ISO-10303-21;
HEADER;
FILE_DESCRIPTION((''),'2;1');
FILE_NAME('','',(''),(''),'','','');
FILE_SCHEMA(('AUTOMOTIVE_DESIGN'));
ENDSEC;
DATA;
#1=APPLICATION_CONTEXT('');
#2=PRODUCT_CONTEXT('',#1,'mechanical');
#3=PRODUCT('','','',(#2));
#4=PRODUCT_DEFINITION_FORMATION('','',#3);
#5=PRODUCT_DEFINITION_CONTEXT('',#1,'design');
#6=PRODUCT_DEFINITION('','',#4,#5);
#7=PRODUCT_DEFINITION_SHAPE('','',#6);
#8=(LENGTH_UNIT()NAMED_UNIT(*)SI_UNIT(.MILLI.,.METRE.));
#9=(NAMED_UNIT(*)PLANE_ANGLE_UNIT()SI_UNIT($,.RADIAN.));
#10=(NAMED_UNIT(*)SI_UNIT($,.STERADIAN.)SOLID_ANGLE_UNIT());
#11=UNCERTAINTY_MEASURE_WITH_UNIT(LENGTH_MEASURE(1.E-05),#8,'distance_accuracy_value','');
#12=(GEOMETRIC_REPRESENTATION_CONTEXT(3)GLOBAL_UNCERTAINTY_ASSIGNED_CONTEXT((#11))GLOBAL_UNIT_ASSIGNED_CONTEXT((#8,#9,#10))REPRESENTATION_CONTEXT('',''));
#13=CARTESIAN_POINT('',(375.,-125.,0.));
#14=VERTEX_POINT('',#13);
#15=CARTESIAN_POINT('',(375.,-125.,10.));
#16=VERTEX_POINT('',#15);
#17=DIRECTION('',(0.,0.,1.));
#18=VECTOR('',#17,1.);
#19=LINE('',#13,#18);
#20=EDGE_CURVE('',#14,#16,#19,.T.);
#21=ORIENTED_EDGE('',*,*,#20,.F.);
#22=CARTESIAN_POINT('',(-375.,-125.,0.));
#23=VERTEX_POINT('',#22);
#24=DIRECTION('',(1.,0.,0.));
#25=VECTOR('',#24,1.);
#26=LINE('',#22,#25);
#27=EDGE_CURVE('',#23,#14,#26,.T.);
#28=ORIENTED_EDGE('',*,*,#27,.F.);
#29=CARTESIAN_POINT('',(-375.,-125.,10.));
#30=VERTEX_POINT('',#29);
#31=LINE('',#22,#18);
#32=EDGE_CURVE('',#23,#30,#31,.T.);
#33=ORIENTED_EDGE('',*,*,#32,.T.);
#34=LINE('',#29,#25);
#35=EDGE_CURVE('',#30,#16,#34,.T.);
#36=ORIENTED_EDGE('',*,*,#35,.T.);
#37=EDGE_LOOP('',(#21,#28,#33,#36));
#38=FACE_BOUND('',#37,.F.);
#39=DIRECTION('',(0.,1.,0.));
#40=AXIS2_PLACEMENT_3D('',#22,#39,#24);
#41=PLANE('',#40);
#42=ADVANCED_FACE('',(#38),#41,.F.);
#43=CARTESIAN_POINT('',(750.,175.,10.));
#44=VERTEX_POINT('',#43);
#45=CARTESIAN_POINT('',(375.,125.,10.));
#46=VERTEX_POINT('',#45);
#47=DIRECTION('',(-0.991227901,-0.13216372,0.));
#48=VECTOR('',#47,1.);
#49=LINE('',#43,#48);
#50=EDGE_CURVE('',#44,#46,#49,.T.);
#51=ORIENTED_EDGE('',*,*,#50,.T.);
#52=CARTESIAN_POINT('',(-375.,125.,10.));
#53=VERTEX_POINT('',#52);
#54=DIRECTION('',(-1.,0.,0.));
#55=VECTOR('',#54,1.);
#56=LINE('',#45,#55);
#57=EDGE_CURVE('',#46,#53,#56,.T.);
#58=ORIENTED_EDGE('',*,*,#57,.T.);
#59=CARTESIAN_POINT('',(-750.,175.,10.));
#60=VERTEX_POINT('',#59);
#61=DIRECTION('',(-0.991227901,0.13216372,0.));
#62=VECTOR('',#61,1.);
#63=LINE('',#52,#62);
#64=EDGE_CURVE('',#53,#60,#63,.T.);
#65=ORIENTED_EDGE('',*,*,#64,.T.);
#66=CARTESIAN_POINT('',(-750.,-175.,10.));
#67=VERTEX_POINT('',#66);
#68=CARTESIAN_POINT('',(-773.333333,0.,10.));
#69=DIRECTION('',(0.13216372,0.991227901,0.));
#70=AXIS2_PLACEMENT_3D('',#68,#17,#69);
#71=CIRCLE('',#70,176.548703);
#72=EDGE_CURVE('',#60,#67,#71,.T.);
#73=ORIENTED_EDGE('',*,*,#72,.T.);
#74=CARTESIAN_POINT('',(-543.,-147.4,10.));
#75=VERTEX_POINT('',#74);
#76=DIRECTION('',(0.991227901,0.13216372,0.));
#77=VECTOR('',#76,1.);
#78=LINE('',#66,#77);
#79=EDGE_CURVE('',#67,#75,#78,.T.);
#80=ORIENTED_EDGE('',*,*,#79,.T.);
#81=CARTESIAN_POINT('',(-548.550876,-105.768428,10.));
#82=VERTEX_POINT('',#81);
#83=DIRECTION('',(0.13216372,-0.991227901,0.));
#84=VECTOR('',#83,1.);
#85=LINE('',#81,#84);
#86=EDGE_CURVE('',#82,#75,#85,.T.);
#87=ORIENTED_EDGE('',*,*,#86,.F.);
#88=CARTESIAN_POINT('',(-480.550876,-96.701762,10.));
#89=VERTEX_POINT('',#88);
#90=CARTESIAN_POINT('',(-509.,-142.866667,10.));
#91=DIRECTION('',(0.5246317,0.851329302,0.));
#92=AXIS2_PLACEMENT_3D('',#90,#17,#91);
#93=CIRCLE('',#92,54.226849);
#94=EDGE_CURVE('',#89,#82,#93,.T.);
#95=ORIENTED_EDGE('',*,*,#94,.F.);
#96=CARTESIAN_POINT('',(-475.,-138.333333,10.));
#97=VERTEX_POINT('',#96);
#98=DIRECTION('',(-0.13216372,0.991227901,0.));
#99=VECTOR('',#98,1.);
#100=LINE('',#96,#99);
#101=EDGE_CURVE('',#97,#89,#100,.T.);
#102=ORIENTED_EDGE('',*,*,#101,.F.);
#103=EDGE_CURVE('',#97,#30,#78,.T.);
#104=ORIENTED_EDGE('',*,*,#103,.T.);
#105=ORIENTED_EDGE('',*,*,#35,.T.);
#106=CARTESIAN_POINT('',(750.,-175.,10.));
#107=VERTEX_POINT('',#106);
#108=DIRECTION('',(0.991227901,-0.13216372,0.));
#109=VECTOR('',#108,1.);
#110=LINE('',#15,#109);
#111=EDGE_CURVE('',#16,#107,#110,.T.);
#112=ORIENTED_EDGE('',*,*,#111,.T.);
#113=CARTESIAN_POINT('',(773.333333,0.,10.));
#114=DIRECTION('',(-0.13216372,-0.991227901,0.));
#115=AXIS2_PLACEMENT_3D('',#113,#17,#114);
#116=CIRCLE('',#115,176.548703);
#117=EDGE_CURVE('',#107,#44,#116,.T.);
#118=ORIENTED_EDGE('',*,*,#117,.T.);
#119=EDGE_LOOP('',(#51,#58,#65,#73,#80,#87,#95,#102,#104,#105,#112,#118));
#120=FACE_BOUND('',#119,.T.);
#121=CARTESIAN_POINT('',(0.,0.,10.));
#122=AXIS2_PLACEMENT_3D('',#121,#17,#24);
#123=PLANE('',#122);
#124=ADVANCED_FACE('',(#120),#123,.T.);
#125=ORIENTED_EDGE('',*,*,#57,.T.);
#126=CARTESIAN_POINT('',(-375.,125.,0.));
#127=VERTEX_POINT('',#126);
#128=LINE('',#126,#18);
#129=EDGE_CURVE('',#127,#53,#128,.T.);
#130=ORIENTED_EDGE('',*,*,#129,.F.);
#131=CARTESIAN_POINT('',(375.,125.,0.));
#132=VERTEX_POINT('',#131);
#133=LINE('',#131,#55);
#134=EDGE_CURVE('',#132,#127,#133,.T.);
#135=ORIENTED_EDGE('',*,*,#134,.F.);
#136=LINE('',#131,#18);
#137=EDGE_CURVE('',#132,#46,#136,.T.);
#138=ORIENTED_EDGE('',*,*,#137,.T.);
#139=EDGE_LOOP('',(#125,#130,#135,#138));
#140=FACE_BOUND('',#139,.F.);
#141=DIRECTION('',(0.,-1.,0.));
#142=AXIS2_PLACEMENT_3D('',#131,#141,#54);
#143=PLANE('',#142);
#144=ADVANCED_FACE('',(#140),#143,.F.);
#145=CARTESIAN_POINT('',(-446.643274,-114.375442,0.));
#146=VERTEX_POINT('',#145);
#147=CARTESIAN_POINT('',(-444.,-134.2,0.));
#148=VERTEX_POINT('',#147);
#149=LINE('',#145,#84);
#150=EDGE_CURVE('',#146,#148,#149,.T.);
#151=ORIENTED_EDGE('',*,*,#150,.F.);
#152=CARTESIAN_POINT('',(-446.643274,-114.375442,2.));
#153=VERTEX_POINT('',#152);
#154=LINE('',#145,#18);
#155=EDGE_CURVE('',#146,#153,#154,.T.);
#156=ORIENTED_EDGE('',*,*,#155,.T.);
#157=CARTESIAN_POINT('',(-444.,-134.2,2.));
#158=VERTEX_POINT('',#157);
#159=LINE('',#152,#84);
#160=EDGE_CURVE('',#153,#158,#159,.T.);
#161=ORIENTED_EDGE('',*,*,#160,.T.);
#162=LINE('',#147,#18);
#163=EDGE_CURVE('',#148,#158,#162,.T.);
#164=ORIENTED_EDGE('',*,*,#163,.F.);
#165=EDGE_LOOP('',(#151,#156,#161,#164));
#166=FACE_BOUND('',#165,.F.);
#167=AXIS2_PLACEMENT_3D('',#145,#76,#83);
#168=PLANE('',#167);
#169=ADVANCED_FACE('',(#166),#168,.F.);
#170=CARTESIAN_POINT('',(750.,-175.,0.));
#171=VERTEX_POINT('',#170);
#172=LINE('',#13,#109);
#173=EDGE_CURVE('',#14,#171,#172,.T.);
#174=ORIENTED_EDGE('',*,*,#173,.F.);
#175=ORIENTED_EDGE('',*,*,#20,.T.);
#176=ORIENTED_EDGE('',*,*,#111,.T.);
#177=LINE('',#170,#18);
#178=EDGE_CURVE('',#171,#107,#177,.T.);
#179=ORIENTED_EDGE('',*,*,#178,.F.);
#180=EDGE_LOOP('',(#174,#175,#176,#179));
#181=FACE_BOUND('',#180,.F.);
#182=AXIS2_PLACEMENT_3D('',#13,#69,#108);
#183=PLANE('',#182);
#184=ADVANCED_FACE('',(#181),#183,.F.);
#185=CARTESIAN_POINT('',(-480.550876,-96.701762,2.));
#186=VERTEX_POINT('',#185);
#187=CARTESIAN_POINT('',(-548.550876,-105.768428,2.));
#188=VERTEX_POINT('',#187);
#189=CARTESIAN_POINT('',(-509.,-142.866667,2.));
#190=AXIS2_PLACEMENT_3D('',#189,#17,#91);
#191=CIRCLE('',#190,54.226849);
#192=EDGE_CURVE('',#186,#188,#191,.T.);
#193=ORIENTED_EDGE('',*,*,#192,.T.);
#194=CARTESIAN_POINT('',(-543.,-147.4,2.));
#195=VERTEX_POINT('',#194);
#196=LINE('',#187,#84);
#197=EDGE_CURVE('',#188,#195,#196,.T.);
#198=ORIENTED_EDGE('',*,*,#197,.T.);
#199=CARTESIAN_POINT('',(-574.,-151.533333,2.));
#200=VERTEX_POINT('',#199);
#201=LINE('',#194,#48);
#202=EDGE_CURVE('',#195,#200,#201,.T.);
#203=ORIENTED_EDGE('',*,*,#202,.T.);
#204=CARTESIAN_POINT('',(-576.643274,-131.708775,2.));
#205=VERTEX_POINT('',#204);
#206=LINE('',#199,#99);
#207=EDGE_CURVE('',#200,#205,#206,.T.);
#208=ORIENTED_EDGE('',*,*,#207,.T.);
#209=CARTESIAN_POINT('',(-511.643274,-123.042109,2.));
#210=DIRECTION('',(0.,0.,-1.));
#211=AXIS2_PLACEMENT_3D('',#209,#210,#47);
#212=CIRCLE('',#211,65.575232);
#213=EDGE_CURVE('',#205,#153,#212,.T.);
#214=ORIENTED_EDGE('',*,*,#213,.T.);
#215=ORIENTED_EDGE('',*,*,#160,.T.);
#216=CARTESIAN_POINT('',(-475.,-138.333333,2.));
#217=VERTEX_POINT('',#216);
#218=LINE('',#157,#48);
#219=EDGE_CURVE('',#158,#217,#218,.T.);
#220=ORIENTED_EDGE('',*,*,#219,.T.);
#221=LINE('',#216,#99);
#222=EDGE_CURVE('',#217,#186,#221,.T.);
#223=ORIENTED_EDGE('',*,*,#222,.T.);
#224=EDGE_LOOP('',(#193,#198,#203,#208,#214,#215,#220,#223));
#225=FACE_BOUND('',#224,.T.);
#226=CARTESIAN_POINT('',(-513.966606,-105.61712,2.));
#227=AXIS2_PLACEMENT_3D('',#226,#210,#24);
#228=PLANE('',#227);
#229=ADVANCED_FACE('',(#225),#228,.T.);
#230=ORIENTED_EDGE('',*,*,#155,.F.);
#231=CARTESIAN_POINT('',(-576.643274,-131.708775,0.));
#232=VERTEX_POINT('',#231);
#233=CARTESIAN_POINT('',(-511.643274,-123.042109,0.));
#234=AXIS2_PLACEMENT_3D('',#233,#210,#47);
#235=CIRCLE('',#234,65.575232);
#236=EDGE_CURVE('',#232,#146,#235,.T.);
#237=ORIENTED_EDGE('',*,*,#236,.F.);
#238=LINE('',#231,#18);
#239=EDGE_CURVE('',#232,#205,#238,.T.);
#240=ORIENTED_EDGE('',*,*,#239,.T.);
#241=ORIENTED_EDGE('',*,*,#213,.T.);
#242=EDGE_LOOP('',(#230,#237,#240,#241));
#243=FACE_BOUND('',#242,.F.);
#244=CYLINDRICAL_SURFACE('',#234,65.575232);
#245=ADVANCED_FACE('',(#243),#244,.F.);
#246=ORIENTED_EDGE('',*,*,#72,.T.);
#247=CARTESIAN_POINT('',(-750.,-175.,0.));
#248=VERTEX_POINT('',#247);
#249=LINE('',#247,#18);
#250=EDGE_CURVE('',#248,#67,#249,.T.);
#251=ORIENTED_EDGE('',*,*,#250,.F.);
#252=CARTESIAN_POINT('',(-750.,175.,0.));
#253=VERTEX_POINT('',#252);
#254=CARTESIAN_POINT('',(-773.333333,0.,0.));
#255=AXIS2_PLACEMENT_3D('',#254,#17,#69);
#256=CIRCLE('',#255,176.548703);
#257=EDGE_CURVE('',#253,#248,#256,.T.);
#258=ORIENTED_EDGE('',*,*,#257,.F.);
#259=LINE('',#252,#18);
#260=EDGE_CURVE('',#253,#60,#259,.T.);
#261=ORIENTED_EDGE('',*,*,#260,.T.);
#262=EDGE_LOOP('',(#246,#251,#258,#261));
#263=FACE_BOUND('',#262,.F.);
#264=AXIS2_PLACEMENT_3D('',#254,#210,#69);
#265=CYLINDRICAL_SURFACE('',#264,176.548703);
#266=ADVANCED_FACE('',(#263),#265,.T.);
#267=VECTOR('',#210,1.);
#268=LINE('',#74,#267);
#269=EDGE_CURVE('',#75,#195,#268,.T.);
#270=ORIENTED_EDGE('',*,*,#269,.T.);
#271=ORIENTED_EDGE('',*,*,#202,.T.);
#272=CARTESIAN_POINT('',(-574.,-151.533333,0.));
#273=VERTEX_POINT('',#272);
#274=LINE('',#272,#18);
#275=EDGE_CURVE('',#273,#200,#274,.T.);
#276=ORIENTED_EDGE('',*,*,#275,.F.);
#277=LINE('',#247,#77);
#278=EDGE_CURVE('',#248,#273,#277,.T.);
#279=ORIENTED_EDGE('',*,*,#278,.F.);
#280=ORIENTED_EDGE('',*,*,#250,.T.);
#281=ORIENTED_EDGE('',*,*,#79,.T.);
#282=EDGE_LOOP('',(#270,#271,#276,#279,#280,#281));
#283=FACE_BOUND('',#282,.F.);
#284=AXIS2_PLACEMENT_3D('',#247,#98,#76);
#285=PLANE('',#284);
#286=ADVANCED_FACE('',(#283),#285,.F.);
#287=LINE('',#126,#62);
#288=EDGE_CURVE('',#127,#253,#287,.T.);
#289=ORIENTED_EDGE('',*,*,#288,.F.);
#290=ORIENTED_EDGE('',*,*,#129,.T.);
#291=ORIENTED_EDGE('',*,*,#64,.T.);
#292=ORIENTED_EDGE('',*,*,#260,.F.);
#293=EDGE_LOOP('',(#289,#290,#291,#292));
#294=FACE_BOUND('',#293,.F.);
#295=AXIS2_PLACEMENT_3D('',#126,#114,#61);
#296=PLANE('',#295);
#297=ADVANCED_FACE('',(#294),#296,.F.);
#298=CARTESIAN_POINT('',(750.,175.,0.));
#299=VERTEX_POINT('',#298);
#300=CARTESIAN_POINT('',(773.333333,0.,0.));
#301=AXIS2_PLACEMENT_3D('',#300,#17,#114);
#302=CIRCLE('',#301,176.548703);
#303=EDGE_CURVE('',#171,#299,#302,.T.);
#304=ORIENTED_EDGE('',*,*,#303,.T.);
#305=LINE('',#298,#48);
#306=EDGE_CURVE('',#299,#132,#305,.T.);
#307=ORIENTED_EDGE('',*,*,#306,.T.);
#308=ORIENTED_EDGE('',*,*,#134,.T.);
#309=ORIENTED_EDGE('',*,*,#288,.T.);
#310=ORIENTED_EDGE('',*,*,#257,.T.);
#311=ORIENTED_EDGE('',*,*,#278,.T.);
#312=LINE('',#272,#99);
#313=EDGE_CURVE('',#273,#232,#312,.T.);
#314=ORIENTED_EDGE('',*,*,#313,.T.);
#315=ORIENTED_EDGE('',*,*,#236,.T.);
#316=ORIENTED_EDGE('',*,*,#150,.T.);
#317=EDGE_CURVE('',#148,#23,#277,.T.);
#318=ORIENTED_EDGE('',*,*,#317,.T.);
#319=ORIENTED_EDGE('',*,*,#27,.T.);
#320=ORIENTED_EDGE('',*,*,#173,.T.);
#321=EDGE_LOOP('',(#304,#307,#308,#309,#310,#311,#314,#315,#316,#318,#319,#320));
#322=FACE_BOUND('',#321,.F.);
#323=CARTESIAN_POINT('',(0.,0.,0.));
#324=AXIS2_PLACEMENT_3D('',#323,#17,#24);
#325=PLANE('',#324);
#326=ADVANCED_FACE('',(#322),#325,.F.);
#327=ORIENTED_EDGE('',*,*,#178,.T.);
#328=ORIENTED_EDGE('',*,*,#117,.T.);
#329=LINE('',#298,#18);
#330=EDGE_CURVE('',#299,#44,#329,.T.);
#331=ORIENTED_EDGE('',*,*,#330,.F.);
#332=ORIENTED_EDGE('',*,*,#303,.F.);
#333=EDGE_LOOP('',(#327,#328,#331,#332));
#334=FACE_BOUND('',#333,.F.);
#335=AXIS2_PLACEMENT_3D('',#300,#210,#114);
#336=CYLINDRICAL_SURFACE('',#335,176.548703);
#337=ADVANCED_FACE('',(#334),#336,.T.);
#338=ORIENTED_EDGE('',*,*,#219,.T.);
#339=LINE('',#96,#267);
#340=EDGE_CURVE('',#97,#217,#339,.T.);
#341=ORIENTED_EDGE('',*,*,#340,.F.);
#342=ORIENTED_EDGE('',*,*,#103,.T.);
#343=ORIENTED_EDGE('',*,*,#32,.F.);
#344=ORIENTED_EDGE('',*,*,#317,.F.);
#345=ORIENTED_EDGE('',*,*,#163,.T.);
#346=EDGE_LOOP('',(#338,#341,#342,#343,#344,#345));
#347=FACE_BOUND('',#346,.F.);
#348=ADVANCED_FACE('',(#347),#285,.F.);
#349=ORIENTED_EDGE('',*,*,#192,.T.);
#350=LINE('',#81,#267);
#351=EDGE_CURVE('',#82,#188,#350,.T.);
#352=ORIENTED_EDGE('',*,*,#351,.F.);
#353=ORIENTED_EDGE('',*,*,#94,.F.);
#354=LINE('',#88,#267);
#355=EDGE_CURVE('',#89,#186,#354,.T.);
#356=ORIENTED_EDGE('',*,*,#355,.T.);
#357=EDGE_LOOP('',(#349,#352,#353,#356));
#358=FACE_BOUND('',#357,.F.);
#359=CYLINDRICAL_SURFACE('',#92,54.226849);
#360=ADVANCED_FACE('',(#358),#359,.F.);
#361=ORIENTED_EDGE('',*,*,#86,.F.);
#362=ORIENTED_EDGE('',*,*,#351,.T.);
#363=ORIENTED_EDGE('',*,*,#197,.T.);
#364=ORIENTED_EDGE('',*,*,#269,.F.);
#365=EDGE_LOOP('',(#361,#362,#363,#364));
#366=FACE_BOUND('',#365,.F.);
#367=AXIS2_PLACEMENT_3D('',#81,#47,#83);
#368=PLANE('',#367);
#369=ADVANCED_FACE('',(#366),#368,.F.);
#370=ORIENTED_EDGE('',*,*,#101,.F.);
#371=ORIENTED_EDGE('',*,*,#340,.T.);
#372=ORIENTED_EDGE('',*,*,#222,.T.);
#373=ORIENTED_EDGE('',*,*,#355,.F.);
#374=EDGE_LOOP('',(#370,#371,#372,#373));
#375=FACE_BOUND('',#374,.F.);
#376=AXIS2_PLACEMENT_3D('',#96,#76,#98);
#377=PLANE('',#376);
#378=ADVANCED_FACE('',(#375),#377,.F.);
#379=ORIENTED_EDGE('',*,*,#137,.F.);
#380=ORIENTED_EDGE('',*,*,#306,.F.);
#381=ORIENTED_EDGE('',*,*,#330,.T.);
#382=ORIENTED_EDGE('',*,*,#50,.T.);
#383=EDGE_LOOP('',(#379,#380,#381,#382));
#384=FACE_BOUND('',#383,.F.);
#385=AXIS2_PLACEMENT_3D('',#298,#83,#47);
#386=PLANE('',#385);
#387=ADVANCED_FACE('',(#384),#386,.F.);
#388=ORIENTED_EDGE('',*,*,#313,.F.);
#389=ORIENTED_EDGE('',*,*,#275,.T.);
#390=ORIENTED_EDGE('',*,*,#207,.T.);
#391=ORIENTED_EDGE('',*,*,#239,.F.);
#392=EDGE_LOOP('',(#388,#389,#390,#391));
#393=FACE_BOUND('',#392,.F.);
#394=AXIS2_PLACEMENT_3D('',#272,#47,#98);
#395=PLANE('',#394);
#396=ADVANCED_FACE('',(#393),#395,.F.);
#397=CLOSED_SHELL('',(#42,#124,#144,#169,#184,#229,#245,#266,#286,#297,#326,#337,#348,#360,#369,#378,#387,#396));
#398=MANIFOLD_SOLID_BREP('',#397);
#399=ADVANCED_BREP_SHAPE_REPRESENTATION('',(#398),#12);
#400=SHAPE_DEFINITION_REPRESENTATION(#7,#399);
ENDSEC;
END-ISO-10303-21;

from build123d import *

# Parameters (mm, degrees)
F2_DEPTH = 10
F4_DEPTH = 10.001
F6_DEPTH = 2


with BuildPart() as f2:
    # F1 (on Top) → F2 (new body)
    with BuildSketch(Plane.XY):
        with BuildLine():
            Line((375, 125), (0, 125))
            Line((0, 125), (-375, 125))
            Line((-375, 125), (-750, 175))
            ThreePointArc((-750, 175), (-949.8820360883, 0), (-750, -175))
            Line((-750, -175), (-375, -125))
            Line((-375, -125), (0, -125))
            Line((0, -125), (375, -125))
            Line((375, -125), (750, -175))
            ThreePointArc((750, -175), (949.8820360883, 0), (750, 175))
            Line((750, 175), (375, 125))
        make_face()
    extrude(amount=F2_DEPTH)

    # F3 (on face) → F4 (cut, through all)
    with BuildSketch(Plane.XY.offset(10)):
        with BuildLine():
            Line((-543, -147.4), (-475, -138.3333333333))
            Line((-475, -138.3333333333), (-480.5508762438, -96.7017615047))
            ThreePointArc((-480.5508762438, -96.7017615047), (-516.1668220423, -89.1155013498), (-548.5508762438, -105.7684281713))
            Line((-548.5508762438, -105.7684281713), (-543, -147.4))
        make_face()
    extrude(amount=-F4_DEPTH, mode=Mode.SUBTRACT)

    # F5 (on face) → F6 (cut)
    with BuildSketch(Plane(origin=(0, 0, 0), x_dir=(1, 0, 0), z_dir=(0, 0, -1))):
        with BuildLine():
            Line((-543, 147.4), (-574, 151.5333333333))
            Line((-574, 151.5333333333), (-576.6432744018, 131.7087753197))
            ThreePointArc((-576.6432744018, 131.7087753197), (-520.3099410685, 58.042108653), (-446.6432744018, 114.3754419863))
            Line((-446.6432744018, 114.3754419863), (-444, 134.2))
            Line((-444, 134.2), (-475, 138.3333333333))
            Line((-475, 138.3333333333), (-480.5508762438, 96.7017615047))
            ThreePointArc((-480.5508762438, 96.7017615047), (-516.1668220423, 89.1155013498), (-548.5508762438, 105.7684281713))
            Line((-548.5508762438, 105.7684281713), (-543, 147.4))
        make_face()
    extrude(amount=-F6_DEPTH, mode=Mode.SUBTRACT)


solid = f2.part
